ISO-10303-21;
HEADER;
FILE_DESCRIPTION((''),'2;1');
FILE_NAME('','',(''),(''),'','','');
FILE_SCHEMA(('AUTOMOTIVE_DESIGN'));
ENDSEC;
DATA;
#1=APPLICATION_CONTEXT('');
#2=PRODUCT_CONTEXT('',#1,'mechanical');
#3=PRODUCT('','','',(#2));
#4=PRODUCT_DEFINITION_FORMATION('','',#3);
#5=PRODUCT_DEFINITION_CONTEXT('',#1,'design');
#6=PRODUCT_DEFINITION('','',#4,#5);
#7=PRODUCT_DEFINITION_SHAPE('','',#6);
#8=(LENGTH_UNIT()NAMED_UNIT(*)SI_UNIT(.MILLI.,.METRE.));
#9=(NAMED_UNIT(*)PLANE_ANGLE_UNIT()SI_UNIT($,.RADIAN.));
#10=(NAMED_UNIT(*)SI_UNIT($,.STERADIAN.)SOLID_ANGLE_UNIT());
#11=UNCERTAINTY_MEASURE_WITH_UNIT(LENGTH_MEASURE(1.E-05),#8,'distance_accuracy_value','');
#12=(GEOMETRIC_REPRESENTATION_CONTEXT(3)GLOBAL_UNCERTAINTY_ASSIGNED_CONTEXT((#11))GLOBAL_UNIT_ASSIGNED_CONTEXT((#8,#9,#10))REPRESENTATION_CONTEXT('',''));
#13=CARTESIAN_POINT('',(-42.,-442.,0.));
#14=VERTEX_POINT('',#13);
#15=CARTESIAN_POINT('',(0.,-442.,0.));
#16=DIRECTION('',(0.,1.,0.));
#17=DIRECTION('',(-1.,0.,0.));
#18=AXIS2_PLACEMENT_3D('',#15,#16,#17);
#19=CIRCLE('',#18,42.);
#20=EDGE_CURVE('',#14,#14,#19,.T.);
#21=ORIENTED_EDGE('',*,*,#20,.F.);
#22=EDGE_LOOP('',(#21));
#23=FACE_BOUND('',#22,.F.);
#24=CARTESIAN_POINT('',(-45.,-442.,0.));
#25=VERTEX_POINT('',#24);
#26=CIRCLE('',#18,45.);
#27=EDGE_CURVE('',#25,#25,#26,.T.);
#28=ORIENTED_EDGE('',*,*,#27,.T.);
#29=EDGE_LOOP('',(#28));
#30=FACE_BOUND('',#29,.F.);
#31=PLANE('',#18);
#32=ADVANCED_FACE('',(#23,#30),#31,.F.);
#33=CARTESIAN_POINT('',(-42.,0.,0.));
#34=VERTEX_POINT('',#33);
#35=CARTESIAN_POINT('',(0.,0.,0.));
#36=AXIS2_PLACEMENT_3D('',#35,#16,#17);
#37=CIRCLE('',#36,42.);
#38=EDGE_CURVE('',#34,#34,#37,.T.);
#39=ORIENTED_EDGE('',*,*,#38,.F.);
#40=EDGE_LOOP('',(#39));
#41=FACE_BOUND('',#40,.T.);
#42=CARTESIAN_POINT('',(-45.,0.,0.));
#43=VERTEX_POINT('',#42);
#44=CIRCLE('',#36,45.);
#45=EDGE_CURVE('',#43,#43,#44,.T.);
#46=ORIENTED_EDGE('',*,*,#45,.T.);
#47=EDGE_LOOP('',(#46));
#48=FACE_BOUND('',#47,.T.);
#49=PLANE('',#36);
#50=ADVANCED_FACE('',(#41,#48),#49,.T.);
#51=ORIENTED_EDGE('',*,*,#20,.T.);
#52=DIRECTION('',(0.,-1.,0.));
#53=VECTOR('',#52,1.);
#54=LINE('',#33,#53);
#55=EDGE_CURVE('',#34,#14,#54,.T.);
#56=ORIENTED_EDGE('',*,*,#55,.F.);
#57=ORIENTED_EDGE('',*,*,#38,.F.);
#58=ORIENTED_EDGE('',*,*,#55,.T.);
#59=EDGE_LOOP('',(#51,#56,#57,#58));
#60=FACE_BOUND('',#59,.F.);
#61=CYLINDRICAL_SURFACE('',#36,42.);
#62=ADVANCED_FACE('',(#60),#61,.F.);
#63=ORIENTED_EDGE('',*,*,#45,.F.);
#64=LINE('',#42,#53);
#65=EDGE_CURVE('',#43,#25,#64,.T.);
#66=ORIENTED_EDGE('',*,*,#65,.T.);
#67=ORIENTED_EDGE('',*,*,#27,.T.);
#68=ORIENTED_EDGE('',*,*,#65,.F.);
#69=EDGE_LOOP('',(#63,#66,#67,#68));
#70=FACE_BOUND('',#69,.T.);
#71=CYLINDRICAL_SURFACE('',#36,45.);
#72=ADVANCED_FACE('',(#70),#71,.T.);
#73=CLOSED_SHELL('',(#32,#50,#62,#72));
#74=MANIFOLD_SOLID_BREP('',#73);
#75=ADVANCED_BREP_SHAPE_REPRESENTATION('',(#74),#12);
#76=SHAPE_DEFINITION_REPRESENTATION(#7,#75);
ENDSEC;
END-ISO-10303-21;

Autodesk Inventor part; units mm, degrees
ref_plane "YZ Plane" through (0, 0, 0) normal (1, 0, 0) x (0, 1, 0)
ref_plane "XZ Plane" through (0, 0, 0) normal (0, 1, 0) x (-1, 0, 0)
ref_plane "XY Plane" through (0, 0, 0) normal (0, 0, 1) x (1, 0, 0)
sketch "Sketch1" plane through (0, 0, 0) normal (0, 1, 0) x (-1, 0, 0)
  circle A0 centre (0, 0) radius 45
  circle A1 centre (0, 0) radius 42
  dimension "d0" = 90
  dimension "d1" = 3
extrude "Extrusion1" add sketch "Sketch1" against normal blind 442
properties part number "SLM 1615 FDS tube 5"
